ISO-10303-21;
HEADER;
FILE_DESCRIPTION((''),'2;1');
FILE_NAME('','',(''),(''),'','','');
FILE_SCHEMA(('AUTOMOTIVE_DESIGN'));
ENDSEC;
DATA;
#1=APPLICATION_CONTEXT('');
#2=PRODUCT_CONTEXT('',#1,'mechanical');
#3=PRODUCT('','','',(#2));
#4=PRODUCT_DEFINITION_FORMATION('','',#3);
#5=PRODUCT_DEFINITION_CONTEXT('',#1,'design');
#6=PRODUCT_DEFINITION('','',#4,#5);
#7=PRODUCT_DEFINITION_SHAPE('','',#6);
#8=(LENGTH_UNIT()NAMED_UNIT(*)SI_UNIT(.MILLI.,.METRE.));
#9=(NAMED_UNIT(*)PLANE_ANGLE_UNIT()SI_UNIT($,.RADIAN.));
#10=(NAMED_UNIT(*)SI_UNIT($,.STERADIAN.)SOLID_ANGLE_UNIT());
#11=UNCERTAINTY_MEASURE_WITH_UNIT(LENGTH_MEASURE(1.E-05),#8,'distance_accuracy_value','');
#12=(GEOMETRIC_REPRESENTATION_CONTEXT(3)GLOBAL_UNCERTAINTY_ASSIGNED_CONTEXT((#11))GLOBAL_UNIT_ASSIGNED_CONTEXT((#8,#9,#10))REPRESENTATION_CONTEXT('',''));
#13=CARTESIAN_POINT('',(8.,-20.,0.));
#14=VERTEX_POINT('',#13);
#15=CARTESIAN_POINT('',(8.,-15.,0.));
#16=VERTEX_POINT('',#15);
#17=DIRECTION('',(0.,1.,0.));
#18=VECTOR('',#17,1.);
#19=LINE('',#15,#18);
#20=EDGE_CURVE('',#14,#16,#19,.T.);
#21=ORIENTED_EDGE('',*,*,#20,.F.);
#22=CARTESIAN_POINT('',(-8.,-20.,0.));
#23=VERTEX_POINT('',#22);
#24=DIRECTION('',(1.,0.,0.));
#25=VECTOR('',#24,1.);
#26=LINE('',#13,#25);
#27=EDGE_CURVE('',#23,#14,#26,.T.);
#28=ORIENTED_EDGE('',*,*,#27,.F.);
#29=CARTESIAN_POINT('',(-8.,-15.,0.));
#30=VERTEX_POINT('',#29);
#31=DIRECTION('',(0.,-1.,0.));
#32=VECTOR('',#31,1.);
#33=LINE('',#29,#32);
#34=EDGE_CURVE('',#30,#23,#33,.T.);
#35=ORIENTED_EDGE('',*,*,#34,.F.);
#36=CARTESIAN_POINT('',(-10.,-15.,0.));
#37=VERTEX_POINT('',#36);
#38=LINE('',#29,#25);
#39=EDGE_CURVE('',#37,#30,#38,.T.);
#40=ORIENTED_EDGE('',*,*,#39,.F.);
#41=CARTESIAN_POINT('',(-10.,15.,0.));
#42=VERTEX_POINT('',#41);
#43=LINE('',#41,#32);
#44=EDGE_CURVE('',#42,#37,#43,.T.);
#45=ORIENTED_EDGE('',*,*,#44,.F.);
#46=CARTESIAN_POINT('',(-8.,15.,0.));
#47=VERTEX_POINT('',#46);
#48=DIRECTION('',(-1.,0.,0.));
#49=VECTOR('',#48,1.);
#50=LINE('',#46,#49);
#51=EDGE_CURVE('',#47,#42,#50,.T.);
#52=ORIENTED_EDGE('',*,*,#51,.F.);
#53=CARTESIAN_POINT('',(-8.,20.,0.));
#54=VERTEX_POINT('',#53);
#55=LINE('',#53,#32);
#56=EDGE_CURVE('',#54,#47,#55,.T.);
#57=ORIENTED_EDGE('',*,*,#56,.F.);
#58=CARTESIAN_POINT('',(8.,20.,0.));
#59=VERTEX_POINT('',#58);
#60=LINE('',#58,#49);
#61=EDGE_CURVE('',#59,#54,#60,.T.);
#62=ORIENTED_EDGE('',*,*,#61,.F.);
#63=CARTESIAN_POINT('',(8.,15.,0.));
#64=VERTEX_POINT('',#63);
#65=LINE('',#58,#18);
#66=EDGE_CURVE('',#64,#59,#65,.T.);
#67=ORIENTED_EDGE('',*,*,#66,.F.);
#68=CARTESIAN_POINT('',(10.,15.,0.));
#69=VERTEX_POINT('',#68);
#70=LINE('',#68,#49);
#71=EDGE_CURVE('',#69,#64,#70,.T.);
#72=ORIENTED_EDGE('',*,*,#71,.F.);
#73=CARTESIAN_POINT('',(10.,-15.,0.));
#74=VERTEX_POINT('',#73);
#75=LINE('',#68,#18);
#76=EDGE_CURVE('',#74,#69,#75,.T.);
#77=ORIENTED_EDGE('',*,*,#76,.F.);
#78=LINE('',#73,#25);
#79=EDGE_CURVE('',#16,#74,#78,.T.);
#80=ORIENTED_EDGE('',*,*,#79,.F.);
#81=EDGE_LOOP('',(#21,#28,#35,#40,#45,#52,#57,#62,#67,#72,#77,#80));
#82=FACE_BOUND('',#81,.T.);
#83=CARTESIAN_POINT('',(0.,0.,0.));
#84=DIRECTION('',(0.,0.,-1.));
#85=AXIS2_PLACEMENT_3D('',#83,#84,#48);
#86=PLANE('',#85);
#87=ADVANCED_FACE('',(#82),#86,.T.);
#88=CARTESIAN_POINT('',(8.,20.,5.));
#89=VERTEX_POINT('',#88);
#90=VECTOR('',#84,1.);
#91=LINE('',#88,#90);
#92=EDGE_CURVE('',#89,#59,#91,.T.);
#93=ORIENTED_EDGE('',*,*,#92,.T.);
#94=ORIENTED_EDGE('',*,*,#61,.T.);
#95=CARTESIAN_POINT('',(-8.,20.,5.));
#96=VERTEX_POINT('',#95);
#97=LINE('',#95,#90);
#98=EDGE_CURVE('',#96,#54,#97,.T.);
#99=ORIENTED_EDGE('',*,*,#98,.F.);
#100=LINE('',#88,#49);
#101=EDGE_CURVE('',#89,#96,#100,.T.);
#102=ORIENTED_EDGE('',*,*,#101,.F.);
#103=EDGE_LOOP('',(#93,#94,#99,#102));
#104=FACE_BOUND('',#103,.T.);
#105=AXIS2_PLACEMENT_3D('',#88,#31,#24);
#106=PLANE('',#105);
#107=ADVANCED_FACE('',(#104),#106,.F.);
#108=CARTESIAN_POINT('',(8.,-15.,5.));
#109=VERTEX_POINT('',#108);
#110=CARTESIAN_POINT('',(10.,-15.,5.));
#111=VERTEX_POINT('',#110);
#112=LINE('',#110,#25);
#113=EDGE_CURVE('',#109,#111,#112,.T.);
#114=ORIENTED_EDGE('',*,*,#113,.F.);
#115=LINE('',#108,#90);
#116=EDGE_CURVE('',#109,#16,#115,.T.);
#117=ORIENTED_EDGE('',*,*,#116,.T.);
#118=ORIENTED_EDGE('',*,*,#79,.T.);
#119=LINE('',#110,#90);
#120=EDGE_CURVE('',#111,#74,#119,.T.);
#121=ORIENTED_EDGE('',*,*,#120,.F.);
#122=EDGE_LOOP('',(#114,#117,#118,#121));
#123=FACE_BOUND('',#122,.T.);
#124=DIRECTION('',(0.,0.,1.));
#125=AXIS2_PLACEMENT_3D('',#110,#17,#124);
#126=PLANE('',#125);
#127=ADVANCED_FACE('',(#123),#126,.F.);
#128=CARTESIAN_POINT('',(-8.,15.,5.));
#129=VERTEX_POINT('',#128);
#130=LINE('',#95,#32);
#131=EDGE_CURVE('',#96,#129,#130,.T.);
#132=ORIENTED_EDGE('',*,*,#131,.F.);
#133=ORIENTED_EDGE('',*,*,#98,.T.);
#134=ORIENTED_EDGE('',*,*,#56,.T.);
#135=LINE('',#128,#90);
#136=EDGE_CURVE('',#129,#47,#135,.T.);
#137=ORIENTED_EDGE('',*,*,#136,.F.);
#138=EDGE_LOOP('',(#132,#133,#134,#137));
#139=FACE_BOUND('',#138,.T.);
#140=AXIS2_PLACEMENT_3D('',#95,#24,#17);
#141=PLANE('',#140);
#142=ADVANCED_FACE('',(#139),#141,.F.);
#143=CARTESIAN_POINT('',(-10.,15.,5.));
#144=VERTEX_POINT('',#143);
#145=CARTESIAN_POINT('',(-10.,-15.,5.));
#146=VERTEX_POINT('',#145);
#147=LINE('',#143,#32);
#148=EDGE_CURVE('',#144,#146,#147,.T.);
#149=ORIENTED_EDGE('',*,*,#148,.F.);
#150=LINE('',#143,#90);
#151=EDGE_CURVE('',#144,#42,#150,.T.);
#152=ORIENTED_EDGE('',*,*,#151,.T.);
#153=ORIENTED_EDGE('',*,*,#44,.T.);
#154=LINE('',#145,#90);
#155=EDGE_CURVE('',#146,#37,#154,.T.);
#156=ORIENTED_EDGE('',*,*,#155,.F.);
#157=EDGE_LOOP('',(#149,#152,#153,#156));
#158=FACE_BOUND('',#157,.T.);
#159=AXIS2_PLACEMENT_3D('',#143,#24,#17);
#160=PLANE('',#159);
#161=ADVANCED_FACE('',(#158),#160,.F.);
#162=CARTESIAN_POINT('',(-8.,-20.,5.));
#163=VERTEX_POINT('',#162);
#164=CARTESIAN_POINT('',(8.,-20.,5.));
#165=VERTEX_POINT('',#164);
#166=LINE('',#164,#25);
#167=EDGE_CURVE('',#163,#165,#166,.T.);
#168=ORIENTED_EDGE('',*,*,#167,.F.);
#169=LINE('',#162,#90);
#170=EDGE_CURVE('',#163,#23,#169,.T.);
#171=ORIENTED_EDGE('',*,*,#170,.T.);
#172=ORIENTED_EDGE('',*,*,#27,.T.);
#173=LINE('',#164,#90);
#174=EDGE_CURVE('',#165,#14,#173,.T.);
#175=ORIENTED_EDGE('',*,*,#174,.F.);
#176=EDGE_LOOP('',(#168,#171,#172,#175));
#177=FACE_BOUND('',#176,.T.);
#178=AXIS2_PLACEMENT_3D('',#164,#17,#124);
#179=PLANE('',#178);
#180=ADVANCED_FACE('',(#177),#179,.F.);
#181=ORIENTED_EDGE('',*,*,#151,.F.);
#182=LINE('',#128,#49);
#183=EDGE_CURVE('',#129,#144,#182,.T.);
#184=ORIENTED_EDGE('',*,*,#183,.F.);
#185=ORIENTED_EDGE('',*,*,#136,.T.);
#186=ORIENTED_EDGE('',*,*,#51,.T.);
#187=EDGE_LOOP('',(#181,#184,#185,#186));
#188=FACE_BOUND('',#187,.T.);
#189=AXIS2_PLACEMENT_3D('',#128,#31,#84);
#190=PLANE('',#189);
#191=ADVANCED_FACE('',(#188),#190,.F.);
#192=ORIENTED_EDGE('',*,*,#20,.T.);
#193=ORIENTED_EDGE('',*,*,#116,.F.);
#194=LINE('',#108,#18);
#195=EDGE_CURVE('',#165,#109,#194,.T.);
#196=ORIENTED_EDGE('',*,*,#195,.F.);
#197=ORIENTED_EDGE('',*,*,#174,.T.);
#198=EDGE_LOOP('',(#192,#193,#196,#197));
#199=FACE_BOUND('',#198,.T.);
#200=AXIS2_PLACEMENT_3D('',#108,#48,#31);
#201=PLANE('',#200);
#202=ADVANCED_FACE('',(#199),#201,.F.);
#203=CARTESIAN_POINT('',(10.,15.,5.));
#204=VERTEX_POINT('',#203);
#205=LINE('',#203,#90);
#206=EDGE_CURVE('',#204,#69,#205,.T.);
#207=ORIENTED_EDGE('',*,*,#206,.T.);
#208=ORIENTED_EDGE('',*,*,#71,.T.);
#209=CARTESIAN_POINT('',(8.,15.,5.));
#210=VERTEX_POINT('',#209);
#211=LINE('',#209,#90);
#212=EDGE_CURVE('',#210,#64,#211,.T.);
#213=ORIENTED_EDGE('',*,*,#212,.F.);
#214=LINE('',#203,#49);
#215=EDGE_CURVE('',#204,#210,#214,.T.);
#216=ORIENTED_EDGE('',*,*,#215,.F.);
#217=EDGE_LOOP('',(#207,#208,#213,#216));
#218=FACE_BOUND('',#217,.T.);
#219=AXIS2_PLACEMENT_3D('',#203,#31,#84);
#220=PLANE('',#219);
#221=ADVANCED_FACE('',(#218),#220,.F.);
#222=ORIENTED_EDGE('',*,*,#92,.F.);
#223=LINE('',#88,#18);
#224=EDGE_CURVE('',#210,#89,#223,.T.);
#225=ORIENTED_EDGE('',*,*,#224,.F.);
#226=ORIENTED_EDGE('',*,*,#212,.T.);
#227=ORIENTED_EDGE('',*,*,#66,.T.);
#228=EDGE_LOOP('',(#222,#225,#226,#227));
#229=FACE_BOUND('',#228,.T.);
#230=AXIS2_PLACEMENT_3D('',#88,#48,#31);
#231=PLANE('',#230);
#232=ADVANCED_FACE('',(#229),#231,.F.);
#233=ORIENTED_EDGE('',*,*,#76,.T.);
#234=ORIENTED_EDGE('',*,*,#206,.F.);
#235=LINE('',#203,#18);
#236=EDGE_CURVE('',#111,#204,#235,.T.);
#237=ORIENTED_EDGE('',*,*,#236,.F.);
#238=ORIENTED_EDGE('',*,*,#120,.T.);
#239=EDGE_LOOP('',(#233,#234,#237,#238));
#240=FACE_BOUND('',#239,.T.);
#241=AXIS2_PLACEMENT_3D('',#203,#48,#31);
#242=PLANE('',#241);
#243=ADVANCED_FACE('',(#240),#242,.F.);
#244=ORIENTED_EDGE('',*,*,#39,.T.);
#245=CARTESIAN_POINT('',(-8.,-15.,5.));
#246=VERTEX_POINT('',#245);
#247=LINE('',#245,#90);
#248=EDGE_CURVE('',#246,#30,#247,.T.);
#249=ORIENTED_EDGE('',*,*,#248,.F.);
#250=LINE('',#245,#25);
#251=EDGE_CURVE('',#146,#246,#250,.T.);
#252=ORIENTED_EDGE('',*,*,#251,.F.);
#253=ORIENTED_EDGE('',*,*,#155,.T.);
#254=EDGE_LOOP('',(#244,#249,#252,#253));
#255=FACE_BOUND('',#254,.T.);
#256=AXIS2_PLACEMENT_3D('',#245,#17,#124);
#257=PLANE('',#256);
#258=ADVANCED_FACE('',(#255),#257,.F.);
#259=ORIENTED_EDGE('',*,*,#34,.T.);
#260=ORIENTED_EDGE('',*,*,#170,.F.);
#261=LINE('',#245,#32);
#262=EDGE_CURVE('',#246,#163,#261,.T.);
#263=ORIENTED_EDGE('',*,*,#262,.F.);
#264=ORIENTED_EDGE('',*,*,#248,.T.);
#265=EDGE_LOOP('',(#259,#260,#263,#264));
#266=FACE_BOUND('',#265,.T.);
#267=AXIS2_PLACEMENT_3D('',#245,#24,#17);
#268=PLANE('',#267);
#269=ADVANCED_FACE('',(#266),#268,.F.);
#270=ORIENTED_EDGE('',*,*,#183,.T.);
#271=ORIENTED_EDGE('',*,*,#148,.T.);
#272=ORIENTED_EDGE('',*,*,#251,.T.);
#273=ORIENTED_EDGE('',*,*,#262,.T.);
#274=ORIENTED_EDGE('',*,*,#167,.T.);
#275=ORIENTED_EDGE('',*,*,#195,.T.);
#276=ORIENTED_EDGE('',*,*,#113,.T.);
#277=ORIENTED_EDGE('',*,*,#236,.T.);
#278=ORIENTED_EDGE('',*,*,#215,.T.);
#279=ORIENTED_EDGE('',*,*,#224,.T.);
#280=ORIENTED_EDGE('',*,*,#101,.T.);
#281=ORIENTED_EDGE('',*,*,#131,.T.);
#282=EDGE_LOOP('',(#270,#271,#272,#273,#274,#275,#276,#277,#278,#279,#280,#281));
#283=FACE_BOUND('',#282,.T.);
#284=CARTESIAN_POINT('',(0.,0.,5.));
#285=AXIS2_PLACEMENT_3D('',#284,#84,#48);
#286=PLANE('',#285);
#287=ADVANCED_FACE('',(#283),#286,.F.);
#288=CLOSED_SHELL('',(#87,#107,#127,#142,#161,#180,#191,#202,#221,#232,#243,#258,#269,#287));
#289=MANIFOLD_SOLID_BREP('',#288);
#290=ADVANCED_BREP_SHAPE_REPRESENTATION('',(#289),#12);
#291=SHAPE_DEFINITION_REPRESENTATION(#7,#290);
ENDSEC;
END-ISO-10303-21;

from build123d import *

# Parameters (mm, degrees)
BOSS_EXTRUDE1_DEPTH = 5


with BuildPart() as part:
    # Sketch1 → Boss-Extrude1 (new body)
    with BuildSketch(Plane.XY):
        Polygon((-8, -15), (-10, -15), (-10, 15), (-8, 15), (-8, 20), (8, 20), (8, 15), (10, 15), (10, -15), (8, -15), (8, -20), (-8, -20), align=None)
    extrude(amount=BOSS_EXTRUDE1_DEPTH)


solid = part.part
